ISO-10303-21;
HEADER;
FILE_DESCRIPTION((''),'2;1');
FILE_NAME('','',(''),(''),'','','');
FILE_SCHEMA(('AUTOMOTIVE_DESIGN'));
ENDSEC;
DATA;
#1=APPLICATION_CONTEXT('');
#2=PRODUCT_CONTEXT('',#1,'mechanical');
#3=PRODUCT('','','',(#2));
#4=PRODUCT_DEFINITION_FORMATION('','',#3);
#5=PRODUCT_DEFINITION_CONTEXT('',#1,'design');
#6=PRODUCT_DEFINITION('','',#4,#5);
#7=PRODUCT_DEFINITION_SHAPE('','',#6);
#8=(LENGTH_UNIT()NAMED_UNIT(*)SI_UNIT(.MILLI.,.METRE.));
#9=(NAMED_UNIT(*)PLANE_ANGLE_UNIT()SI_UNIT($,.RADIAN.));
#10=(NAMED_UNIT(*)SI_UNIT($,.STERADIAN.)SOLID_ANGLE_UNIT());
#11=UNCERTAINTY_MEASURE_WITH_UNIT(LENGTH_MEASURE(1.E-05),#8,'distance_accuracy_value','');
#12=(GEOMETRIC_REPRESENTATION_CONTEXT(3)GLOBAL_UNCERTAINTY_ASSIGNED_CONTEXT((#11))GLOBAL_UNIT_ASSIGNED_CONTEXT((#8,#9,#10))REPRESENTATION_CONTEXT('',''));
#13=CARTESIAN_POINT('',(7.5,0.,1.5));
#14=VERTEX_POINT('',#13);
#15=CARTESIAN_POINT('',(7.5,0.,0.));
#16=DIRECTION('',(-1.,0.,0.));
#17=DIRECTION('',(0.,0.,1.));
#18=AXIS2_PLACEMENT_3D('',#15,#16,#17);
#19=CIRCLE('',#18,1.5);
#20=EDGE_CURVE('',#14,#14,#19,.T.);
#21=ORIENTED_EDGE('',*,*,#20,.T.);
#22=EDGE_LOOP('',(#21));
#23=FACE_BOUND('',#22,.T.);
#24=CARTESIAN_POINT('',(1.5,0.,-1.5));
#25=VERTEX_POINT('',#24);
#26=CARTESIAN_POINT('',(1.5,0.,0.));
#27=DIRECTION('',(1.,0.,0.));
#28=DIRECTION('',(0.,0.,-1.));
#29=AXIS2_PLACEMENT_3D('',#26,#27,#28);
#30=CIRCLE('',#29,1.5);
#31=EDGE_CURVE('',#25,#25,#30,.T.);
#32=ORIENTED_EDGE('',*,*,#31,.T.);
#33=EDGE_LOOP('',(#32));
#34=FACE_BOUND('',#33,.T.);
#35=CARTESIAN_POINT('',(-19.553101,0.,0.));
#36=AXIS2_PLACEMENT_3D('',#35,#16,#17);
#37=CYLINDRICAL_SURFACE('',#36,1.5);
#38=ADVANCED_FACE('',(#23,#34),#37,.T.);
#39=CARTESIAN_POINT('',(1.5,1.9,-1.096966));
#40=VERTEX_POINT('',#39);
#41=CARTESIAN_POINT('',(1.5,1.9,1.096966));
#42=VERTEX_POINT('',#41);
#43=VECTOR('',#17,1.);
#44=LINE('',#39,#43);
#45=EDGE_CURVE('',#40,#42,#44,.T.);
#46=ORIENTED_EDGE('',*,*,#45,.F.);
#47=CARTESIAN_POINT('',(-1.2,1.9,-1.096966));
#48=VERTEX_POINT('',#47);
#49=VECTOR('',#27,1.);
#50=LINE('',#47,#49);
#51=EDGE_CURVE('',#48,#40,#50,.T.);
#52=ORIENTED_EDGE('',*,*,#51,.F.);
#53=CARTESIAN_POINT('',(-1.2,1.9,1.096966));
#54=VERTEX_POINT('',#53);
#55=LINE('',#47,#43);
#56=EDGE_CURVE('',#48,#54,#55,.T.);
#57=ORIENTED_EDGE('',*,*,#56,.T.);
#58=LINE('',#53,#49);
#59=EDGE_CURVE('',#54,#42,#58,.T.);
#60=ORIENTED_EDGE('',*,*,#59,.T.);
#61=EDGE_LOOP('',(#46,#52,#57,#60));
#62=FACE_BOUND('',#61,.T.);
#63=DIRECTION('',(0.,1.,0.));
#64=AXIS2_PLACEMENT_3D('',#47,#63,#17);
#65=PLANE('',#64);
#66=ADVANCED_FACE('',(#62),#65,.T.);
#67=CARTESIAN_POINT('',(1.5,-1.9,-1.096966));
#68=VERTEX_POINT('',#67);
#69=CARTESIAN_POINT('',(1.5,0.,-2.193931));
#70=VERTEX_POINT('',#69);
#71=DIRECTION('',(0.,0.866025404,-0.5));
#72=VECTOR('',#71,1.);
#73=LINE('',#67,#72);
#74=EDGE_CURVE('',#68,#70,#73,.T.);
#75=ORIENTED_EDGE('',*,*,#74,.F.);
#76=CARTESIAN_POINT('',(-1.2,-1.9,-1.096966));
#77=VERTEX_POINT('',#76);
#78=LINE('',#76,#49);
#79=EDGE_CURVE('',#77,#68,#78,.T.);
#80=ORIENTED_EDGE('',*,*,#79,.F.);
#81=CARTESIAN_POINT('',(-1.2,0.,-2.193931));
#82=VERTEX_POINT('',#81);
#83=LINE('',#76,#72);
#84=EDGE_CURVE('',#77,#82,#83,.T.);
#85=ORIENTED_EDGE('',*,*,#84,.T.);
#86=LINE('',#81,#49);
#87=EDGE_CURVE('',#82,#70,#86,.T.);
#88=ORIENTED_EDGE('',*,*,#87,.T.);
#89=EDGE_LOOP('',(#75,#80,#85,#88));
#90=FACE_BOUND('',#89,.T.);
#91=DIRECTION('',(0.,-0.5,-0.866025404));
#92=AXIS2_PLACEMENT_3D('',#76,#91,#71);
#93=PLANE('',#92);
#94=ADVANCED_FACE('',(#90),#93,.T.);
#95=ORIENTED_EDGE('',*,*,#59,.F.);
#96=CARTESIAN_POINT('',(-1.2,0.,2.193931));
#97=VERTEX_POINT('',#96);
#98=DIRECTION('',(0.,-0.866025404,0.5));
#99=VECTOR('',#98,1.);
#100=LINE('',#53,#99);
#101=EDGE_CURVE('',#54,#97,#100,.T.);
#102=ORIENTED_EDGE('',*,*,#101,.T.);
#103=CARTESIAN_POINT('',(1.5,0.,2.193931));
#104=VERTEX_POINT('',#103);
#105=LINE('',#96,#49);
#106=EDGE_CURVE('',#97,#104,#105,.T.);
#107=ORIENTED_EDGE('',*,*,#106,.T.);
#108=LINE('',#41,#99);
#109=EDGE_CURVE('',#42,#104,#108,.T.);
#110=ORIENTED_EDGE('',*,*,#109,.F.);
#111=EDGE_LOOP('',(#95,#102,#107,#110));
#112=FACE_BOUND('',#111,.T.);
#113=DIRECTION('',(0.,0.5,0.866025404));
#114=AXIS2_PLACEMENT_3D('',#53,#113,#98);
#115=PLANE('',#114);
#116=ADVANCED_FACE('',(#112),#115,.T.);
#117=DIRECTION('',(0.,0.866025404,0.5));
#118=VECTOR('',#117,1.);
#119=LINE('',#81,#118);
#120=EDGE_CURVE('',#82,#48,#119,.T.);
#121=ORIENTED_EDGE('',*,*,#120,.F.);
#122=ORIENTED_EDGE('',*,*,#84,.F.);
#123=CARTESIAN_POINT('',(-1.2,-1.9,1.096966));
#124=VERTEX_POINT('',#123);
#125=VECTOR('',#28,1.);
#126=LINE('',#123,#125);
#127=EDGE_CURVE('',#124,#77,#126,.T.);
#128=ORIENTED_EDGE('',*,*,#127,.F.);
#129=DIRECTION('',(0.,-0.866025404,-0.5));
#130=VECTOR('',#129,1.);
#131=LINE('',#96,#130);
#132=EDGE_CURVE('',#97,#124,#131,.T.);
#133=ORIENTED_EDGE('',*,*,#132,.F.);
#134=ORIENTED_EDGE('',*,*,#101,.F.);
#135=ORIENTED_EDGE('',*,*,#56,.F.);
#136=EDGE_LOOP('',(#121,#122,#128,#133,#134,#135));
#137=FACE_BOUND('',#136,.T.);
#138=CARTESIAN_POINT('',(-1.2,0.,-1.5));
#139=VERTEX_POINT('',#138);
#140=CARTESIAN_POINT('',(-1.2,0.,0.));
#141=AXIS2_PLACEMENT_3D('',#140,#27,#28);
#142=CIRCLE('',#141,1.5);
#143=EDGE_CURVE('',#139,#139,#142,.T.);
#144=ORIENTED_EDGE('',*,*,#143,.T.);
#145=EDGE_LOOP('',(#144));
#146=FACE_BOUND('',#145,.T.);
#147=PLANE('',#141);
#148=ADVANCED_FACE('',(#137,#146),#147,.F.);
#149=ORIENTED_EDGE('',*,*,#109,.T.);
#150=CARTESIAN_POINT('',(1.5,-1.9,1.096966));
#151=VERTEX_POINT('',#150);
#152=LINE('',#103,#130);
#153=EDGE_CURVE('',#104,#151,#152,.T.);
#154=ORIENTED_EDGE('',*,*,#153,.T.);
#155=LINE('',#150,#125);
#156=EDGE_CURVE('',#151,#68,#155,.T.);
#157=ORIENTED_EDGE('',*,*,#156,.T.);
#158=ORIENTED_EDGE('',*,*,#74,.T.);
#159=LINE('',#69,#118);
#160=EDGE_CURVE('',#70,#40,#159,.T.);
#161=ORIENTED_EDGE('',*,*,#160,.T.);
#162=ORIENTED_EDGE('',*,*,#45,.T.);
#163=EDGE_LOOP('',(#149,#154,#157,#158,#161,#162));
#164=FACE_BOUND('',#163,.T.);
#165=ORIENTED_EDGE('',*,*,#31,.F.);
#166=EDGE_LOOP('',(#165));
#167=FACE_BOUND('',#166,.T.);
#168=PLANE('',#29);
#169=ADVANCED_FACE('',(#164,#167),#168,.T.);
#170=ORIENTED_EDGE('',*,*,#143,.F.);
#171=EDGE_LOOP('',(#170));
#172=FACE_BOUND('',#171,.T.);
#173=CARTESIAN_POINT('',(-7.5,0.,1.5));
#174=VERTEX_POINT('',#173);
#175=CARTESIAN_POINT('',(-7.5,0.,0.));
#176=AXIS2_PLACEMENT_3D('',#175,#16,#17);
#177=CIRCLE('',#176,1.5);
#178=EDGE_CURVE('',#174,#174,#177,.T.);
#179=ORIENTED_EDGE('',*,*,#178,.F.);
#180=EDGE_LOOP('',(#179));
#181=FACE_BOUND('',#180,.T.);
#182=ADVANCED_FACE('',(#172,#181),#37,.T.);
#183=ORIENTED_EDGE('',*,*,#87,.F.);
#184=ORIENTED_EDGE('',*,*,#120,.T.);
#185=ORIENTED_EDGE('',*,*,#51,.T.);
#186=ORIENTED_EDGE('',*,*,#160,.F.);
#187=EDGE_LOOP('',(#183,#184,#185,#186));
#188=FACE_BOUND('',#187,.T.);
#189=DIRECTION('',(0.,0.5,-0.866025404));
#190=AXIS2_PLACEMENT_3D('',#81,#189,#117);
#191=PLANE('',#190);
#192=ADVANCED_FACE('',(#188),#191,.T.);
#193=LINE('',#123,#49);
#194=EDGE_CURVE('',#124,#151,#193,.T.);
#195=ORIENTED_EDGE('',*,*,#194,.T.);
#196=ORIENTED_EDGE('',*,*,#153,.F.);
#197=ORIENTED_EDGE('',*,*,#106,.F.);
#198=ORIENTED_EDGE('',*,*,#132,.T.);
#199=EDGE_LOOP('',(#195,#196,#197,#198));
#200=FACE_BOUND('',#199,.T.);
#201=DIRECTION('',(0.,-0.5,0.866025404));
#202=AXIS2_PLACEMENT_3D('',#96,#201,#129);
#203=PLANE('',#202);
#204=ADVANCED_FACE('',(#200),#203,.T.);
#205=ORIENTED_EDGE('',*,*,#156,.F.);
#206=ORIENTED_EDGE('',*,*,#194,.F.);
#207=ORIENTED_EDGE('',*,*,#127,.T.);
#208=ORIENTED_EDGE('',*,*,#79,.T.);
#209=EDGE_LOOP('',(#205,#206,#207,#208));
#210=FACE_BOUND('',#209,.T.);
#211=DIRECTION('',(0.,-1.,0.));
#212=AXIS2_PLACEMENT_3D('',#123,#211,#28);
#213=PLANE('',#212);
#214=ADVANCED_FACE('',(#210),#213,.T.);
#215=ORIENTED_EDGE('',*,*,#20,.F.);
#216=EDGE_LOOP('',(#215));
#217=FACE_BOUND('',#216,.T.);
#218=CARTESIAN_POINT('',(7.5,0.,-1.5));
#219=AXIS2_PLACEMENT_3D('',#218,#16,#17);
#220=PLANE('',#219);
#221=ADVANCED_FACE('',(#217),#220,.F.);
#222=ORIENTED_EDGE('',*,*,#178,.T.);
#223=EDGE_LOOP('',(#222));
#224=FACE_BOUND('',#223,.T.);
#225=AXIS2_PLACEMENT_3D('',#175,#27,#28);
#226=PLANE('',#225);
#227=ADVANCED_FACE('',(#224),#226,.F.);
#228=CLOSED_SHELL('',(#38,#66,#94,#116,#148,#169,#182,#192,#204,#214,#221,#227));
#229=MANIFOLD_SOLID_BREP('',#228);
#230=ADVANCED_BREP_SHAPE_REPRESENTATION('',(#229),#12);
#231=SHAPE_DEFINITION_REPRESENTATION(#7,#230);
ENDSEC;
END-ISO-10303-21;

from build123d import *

# Parameters (mm, degrees)
SKETCH1_W                = 15
SKETCH1_H                = 1.5
BOSS_EXTRUDE1_DEPTH      = 1.5
BOSS_EXTRUDE1_DEPTH_BACK = 1.2


with BuildPart() as part:
    # Sketch1 → Revolve1 (revolve)
    with BuildSketch(Plane(origin=(0, 0, 0), x_dir=(1, 0, 0), z_dir=(0, 1, 0)), mode=Mode.PRIVATE) as revolve1_sk:
        with Locations((0, 0.75)):
            Rectangle(SKETCH1_W, SKETCH1_H)
    revolve(revolve1_sk.sketch.rotate(Axis((-19.553100844, 0, 0), (1, 0, 0)), 180), axis=Axis((-19.553100844, 0, 0), (1, 0, 0)))

    # Sketch2 → Boss-Extrude1 (add, two sides: drawn at the far end of the back side and taken through both)
    with BuildSketch(Plane(origin=(0, 0, 0), x_dir=(0, 0, -1), z_dir=(1, 0, 0)).offset(-BOSS_EXTRUDE1_DEPTH_BACK)):
        Polygon((2.193931023, 0), (1.096965511, 1.9), (-1.096965511, 1.9), (-2.193931023, 0), (-1.096965511, -1.9), (1.096965511, -1.9), align=None)
    extrude(amount=BOSS_EXTRUDE1_DEPTH + BOSS_EXTRUDE1_DEPTH_BACK)


solid = part.part
